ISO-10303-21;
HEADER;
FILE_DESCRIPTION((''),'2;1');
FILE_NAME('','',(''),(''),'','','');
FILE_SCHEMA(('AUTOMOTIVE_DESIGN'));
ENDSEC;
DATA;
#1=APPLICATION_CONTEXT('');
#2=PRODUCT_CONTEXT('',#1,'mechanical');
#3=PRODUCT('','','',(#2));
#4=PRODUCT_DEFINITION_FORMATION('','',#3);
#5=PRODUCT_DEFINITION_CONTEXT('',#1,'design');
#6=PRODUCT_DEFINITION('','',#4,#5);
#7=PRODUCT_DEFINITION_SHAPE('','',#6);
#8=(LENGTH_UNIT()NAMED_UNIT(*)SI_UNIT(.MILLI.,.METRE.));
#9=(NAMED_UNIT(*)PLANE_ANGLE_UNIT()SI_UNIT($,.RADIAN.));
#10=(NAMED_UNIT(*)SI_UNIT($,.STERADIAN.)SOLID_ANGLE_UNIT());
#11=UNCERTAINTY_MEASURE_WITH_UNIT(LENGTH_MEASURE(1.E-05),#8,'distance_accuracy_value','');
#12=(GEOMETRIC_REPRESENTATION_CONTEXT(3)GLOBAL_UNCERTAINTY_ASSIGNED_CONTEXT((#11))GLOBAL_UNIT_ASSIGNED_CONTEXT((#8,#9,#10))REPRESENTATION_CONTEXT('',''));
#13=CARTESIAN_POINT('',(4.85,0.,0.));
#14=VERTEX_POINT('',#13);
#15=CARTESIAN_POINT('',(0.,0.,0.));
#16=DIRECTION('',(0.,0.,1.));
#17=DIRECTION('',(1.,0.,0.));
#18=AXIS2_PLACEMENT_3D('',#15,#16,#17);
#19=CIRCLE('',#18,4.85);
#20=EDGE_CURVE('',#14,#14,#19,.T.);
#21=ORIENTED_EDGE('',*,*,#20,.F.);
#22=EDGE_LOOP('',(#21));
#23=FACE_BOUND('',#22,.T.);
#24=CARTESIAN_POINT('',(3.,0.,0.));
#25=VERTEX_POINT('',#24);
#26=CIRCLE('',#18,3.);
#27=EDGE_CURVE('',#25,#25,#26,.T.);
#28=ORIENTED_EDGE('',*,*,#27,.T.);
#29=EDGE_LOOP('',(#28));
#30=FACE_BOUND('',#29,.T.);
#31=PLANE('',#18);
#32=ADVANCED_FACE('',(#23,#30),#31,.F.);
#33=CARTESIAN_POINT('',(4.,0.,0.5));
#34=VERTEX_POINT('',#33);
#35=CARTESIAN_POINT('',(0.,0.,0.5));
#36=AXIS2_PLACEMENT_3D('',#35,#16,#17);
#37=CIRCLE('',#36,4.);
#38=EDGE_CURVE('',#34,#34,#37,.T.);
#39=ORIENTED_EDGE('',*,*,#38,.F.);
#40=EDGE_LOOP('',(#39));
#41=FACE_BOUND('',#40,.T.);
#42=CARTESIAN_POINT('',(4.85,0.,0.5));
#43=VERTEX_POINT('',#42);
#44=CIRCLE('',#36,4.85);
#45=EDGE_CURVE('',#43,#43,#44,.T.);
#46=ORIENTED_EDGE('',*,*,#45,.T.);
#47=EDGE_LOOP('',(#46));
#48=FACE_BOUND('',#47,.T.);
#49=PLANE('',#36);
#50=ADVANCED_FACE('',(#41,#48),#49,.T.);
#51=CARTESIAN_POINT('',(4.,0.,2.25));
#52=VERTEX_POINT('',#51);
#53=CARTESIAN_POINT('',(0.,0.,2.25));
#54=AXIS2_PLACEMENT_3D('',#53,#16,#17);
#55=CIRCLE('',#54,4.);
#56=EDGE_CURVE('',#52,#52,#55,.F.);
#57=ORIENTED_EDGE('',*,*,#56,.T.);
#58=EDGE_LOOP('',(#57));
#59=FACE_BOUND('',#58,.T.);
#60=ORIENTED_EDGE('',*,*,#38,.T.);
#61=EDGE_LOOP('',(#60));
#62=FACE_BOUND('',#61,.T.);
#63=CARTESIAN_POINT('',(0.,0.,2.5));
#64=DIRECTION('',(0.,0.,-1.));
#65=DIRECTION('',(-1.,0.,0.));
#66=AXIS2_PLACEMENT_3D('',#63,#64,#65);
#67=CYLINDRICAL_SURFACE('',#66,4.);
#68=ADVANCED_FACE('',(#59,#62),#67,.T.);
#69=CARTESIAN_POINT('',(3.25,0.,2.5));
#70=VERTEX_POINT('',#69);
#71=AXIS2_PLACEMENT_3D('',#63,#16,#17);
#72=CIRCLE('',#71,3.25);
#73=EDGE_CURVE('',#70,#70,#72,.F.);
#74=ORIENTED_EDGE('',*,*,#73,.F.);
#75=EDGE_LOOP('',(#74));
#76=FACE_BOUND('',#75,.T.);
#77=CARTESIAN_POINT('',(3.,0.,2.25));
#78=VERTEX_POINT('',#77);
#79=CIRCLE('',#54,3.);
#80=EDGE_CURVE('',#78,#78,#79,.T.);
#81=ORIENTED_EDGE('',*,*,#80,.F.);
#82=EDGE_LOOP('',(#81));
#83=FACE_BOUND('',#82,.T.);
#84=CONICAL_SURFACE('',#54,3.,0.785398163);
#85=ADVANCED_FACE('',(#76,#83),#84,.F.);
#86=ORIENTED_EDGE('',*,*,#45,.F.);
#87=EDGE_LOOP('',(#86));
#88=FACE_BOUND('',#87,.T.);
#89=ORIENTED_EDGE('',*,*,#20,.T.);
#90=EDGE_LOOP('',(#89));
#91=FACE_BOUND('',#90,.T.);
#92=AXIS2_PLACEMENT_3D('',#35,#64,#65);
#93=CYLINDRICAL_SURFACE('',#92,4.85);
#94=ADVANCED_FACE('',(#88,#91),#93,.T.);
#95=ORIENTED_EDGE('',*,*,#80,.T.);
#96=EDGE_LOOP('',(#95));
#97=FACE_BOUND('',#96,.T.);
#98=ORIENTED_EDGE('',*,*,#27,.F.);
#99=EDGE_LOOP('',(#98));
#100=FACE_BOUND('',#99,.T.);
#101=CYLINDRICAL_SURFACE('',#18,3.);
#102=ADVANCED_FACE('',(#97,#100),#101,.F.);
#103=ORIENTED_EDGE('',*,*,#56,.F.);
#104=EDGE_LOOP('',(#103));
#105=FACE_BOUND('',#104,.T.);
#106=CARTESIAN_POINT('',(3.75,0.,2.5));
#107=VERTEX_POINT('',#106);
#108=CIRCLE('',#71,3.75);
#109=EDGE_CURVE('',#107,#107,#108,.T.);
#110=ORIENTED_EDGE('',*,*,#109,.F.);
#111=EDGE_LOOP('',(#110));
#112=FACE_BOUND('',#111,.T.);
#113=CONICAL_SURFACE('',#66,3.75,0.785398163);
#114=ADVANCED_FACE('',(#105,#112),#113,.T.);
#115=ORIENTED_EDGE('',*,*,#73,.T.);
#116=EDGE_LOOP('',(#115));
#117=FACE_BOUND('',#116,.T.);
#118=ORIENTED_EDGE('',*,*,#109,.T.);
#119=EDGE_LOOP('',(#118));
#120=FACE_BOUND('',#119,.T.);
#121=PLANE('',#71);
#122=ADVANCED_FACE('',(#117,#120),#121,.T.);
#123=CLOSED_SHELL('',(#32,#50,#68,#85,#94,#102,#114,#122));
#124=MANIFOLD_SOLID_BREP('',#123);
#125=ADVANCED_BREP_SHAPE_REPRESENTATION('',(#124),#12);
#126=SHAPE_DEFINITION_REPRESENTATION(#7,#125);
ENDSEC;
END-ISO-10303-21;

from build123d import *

# Parameters (mm, degrees)
SKETCH_1_R          = 4.85
EXTRUDE_1_DEPTH     = 0.5
SKETCH_2_R          = 4
EXTRUDE_2_DEPTH     = 2
SKETCH_3_R          = 3
CUT_EXTRUDE_3_DEPTH = 8.300342458
CHAMFER_1_SIZE      = 0.25


with BuildPart() as part:
    # 草圖1 → 伸長1 (new body)
    with BuildSketch(Plane.XY):
        Circle(SKETCH_1_R)
    extrude(amount=EXTRUDE_1_DEPTH)

    # 草圖2 → 伸長2 (add)
    with BuildSketch(Plane.XY.offset(0.5)):
        Circle(SKETCH_2_R)
    extrude(amount=EXTRUDE_2_DEPTH)

    # 草圖3 → 伸長3 (cut, through all)
    with BuildSketch(Plane.XY.offset(2.5)):
        Circle(SKETCH_3_R)
    extrude(amount=-CUT_EXTRUDE_3_DEPTH, mode=Mode.SUBTRACT)

    # 導角1
    chamfer_1_edges = [part.edges().sort_by_distance(p)[0] for p in [
        (-3, 0, 2.5),
        (-4, 0, 2.5),
    ]]
    chamfer(chamfer_1_edges, length=CHAMFER_1_SIZE)


solid = part.part
